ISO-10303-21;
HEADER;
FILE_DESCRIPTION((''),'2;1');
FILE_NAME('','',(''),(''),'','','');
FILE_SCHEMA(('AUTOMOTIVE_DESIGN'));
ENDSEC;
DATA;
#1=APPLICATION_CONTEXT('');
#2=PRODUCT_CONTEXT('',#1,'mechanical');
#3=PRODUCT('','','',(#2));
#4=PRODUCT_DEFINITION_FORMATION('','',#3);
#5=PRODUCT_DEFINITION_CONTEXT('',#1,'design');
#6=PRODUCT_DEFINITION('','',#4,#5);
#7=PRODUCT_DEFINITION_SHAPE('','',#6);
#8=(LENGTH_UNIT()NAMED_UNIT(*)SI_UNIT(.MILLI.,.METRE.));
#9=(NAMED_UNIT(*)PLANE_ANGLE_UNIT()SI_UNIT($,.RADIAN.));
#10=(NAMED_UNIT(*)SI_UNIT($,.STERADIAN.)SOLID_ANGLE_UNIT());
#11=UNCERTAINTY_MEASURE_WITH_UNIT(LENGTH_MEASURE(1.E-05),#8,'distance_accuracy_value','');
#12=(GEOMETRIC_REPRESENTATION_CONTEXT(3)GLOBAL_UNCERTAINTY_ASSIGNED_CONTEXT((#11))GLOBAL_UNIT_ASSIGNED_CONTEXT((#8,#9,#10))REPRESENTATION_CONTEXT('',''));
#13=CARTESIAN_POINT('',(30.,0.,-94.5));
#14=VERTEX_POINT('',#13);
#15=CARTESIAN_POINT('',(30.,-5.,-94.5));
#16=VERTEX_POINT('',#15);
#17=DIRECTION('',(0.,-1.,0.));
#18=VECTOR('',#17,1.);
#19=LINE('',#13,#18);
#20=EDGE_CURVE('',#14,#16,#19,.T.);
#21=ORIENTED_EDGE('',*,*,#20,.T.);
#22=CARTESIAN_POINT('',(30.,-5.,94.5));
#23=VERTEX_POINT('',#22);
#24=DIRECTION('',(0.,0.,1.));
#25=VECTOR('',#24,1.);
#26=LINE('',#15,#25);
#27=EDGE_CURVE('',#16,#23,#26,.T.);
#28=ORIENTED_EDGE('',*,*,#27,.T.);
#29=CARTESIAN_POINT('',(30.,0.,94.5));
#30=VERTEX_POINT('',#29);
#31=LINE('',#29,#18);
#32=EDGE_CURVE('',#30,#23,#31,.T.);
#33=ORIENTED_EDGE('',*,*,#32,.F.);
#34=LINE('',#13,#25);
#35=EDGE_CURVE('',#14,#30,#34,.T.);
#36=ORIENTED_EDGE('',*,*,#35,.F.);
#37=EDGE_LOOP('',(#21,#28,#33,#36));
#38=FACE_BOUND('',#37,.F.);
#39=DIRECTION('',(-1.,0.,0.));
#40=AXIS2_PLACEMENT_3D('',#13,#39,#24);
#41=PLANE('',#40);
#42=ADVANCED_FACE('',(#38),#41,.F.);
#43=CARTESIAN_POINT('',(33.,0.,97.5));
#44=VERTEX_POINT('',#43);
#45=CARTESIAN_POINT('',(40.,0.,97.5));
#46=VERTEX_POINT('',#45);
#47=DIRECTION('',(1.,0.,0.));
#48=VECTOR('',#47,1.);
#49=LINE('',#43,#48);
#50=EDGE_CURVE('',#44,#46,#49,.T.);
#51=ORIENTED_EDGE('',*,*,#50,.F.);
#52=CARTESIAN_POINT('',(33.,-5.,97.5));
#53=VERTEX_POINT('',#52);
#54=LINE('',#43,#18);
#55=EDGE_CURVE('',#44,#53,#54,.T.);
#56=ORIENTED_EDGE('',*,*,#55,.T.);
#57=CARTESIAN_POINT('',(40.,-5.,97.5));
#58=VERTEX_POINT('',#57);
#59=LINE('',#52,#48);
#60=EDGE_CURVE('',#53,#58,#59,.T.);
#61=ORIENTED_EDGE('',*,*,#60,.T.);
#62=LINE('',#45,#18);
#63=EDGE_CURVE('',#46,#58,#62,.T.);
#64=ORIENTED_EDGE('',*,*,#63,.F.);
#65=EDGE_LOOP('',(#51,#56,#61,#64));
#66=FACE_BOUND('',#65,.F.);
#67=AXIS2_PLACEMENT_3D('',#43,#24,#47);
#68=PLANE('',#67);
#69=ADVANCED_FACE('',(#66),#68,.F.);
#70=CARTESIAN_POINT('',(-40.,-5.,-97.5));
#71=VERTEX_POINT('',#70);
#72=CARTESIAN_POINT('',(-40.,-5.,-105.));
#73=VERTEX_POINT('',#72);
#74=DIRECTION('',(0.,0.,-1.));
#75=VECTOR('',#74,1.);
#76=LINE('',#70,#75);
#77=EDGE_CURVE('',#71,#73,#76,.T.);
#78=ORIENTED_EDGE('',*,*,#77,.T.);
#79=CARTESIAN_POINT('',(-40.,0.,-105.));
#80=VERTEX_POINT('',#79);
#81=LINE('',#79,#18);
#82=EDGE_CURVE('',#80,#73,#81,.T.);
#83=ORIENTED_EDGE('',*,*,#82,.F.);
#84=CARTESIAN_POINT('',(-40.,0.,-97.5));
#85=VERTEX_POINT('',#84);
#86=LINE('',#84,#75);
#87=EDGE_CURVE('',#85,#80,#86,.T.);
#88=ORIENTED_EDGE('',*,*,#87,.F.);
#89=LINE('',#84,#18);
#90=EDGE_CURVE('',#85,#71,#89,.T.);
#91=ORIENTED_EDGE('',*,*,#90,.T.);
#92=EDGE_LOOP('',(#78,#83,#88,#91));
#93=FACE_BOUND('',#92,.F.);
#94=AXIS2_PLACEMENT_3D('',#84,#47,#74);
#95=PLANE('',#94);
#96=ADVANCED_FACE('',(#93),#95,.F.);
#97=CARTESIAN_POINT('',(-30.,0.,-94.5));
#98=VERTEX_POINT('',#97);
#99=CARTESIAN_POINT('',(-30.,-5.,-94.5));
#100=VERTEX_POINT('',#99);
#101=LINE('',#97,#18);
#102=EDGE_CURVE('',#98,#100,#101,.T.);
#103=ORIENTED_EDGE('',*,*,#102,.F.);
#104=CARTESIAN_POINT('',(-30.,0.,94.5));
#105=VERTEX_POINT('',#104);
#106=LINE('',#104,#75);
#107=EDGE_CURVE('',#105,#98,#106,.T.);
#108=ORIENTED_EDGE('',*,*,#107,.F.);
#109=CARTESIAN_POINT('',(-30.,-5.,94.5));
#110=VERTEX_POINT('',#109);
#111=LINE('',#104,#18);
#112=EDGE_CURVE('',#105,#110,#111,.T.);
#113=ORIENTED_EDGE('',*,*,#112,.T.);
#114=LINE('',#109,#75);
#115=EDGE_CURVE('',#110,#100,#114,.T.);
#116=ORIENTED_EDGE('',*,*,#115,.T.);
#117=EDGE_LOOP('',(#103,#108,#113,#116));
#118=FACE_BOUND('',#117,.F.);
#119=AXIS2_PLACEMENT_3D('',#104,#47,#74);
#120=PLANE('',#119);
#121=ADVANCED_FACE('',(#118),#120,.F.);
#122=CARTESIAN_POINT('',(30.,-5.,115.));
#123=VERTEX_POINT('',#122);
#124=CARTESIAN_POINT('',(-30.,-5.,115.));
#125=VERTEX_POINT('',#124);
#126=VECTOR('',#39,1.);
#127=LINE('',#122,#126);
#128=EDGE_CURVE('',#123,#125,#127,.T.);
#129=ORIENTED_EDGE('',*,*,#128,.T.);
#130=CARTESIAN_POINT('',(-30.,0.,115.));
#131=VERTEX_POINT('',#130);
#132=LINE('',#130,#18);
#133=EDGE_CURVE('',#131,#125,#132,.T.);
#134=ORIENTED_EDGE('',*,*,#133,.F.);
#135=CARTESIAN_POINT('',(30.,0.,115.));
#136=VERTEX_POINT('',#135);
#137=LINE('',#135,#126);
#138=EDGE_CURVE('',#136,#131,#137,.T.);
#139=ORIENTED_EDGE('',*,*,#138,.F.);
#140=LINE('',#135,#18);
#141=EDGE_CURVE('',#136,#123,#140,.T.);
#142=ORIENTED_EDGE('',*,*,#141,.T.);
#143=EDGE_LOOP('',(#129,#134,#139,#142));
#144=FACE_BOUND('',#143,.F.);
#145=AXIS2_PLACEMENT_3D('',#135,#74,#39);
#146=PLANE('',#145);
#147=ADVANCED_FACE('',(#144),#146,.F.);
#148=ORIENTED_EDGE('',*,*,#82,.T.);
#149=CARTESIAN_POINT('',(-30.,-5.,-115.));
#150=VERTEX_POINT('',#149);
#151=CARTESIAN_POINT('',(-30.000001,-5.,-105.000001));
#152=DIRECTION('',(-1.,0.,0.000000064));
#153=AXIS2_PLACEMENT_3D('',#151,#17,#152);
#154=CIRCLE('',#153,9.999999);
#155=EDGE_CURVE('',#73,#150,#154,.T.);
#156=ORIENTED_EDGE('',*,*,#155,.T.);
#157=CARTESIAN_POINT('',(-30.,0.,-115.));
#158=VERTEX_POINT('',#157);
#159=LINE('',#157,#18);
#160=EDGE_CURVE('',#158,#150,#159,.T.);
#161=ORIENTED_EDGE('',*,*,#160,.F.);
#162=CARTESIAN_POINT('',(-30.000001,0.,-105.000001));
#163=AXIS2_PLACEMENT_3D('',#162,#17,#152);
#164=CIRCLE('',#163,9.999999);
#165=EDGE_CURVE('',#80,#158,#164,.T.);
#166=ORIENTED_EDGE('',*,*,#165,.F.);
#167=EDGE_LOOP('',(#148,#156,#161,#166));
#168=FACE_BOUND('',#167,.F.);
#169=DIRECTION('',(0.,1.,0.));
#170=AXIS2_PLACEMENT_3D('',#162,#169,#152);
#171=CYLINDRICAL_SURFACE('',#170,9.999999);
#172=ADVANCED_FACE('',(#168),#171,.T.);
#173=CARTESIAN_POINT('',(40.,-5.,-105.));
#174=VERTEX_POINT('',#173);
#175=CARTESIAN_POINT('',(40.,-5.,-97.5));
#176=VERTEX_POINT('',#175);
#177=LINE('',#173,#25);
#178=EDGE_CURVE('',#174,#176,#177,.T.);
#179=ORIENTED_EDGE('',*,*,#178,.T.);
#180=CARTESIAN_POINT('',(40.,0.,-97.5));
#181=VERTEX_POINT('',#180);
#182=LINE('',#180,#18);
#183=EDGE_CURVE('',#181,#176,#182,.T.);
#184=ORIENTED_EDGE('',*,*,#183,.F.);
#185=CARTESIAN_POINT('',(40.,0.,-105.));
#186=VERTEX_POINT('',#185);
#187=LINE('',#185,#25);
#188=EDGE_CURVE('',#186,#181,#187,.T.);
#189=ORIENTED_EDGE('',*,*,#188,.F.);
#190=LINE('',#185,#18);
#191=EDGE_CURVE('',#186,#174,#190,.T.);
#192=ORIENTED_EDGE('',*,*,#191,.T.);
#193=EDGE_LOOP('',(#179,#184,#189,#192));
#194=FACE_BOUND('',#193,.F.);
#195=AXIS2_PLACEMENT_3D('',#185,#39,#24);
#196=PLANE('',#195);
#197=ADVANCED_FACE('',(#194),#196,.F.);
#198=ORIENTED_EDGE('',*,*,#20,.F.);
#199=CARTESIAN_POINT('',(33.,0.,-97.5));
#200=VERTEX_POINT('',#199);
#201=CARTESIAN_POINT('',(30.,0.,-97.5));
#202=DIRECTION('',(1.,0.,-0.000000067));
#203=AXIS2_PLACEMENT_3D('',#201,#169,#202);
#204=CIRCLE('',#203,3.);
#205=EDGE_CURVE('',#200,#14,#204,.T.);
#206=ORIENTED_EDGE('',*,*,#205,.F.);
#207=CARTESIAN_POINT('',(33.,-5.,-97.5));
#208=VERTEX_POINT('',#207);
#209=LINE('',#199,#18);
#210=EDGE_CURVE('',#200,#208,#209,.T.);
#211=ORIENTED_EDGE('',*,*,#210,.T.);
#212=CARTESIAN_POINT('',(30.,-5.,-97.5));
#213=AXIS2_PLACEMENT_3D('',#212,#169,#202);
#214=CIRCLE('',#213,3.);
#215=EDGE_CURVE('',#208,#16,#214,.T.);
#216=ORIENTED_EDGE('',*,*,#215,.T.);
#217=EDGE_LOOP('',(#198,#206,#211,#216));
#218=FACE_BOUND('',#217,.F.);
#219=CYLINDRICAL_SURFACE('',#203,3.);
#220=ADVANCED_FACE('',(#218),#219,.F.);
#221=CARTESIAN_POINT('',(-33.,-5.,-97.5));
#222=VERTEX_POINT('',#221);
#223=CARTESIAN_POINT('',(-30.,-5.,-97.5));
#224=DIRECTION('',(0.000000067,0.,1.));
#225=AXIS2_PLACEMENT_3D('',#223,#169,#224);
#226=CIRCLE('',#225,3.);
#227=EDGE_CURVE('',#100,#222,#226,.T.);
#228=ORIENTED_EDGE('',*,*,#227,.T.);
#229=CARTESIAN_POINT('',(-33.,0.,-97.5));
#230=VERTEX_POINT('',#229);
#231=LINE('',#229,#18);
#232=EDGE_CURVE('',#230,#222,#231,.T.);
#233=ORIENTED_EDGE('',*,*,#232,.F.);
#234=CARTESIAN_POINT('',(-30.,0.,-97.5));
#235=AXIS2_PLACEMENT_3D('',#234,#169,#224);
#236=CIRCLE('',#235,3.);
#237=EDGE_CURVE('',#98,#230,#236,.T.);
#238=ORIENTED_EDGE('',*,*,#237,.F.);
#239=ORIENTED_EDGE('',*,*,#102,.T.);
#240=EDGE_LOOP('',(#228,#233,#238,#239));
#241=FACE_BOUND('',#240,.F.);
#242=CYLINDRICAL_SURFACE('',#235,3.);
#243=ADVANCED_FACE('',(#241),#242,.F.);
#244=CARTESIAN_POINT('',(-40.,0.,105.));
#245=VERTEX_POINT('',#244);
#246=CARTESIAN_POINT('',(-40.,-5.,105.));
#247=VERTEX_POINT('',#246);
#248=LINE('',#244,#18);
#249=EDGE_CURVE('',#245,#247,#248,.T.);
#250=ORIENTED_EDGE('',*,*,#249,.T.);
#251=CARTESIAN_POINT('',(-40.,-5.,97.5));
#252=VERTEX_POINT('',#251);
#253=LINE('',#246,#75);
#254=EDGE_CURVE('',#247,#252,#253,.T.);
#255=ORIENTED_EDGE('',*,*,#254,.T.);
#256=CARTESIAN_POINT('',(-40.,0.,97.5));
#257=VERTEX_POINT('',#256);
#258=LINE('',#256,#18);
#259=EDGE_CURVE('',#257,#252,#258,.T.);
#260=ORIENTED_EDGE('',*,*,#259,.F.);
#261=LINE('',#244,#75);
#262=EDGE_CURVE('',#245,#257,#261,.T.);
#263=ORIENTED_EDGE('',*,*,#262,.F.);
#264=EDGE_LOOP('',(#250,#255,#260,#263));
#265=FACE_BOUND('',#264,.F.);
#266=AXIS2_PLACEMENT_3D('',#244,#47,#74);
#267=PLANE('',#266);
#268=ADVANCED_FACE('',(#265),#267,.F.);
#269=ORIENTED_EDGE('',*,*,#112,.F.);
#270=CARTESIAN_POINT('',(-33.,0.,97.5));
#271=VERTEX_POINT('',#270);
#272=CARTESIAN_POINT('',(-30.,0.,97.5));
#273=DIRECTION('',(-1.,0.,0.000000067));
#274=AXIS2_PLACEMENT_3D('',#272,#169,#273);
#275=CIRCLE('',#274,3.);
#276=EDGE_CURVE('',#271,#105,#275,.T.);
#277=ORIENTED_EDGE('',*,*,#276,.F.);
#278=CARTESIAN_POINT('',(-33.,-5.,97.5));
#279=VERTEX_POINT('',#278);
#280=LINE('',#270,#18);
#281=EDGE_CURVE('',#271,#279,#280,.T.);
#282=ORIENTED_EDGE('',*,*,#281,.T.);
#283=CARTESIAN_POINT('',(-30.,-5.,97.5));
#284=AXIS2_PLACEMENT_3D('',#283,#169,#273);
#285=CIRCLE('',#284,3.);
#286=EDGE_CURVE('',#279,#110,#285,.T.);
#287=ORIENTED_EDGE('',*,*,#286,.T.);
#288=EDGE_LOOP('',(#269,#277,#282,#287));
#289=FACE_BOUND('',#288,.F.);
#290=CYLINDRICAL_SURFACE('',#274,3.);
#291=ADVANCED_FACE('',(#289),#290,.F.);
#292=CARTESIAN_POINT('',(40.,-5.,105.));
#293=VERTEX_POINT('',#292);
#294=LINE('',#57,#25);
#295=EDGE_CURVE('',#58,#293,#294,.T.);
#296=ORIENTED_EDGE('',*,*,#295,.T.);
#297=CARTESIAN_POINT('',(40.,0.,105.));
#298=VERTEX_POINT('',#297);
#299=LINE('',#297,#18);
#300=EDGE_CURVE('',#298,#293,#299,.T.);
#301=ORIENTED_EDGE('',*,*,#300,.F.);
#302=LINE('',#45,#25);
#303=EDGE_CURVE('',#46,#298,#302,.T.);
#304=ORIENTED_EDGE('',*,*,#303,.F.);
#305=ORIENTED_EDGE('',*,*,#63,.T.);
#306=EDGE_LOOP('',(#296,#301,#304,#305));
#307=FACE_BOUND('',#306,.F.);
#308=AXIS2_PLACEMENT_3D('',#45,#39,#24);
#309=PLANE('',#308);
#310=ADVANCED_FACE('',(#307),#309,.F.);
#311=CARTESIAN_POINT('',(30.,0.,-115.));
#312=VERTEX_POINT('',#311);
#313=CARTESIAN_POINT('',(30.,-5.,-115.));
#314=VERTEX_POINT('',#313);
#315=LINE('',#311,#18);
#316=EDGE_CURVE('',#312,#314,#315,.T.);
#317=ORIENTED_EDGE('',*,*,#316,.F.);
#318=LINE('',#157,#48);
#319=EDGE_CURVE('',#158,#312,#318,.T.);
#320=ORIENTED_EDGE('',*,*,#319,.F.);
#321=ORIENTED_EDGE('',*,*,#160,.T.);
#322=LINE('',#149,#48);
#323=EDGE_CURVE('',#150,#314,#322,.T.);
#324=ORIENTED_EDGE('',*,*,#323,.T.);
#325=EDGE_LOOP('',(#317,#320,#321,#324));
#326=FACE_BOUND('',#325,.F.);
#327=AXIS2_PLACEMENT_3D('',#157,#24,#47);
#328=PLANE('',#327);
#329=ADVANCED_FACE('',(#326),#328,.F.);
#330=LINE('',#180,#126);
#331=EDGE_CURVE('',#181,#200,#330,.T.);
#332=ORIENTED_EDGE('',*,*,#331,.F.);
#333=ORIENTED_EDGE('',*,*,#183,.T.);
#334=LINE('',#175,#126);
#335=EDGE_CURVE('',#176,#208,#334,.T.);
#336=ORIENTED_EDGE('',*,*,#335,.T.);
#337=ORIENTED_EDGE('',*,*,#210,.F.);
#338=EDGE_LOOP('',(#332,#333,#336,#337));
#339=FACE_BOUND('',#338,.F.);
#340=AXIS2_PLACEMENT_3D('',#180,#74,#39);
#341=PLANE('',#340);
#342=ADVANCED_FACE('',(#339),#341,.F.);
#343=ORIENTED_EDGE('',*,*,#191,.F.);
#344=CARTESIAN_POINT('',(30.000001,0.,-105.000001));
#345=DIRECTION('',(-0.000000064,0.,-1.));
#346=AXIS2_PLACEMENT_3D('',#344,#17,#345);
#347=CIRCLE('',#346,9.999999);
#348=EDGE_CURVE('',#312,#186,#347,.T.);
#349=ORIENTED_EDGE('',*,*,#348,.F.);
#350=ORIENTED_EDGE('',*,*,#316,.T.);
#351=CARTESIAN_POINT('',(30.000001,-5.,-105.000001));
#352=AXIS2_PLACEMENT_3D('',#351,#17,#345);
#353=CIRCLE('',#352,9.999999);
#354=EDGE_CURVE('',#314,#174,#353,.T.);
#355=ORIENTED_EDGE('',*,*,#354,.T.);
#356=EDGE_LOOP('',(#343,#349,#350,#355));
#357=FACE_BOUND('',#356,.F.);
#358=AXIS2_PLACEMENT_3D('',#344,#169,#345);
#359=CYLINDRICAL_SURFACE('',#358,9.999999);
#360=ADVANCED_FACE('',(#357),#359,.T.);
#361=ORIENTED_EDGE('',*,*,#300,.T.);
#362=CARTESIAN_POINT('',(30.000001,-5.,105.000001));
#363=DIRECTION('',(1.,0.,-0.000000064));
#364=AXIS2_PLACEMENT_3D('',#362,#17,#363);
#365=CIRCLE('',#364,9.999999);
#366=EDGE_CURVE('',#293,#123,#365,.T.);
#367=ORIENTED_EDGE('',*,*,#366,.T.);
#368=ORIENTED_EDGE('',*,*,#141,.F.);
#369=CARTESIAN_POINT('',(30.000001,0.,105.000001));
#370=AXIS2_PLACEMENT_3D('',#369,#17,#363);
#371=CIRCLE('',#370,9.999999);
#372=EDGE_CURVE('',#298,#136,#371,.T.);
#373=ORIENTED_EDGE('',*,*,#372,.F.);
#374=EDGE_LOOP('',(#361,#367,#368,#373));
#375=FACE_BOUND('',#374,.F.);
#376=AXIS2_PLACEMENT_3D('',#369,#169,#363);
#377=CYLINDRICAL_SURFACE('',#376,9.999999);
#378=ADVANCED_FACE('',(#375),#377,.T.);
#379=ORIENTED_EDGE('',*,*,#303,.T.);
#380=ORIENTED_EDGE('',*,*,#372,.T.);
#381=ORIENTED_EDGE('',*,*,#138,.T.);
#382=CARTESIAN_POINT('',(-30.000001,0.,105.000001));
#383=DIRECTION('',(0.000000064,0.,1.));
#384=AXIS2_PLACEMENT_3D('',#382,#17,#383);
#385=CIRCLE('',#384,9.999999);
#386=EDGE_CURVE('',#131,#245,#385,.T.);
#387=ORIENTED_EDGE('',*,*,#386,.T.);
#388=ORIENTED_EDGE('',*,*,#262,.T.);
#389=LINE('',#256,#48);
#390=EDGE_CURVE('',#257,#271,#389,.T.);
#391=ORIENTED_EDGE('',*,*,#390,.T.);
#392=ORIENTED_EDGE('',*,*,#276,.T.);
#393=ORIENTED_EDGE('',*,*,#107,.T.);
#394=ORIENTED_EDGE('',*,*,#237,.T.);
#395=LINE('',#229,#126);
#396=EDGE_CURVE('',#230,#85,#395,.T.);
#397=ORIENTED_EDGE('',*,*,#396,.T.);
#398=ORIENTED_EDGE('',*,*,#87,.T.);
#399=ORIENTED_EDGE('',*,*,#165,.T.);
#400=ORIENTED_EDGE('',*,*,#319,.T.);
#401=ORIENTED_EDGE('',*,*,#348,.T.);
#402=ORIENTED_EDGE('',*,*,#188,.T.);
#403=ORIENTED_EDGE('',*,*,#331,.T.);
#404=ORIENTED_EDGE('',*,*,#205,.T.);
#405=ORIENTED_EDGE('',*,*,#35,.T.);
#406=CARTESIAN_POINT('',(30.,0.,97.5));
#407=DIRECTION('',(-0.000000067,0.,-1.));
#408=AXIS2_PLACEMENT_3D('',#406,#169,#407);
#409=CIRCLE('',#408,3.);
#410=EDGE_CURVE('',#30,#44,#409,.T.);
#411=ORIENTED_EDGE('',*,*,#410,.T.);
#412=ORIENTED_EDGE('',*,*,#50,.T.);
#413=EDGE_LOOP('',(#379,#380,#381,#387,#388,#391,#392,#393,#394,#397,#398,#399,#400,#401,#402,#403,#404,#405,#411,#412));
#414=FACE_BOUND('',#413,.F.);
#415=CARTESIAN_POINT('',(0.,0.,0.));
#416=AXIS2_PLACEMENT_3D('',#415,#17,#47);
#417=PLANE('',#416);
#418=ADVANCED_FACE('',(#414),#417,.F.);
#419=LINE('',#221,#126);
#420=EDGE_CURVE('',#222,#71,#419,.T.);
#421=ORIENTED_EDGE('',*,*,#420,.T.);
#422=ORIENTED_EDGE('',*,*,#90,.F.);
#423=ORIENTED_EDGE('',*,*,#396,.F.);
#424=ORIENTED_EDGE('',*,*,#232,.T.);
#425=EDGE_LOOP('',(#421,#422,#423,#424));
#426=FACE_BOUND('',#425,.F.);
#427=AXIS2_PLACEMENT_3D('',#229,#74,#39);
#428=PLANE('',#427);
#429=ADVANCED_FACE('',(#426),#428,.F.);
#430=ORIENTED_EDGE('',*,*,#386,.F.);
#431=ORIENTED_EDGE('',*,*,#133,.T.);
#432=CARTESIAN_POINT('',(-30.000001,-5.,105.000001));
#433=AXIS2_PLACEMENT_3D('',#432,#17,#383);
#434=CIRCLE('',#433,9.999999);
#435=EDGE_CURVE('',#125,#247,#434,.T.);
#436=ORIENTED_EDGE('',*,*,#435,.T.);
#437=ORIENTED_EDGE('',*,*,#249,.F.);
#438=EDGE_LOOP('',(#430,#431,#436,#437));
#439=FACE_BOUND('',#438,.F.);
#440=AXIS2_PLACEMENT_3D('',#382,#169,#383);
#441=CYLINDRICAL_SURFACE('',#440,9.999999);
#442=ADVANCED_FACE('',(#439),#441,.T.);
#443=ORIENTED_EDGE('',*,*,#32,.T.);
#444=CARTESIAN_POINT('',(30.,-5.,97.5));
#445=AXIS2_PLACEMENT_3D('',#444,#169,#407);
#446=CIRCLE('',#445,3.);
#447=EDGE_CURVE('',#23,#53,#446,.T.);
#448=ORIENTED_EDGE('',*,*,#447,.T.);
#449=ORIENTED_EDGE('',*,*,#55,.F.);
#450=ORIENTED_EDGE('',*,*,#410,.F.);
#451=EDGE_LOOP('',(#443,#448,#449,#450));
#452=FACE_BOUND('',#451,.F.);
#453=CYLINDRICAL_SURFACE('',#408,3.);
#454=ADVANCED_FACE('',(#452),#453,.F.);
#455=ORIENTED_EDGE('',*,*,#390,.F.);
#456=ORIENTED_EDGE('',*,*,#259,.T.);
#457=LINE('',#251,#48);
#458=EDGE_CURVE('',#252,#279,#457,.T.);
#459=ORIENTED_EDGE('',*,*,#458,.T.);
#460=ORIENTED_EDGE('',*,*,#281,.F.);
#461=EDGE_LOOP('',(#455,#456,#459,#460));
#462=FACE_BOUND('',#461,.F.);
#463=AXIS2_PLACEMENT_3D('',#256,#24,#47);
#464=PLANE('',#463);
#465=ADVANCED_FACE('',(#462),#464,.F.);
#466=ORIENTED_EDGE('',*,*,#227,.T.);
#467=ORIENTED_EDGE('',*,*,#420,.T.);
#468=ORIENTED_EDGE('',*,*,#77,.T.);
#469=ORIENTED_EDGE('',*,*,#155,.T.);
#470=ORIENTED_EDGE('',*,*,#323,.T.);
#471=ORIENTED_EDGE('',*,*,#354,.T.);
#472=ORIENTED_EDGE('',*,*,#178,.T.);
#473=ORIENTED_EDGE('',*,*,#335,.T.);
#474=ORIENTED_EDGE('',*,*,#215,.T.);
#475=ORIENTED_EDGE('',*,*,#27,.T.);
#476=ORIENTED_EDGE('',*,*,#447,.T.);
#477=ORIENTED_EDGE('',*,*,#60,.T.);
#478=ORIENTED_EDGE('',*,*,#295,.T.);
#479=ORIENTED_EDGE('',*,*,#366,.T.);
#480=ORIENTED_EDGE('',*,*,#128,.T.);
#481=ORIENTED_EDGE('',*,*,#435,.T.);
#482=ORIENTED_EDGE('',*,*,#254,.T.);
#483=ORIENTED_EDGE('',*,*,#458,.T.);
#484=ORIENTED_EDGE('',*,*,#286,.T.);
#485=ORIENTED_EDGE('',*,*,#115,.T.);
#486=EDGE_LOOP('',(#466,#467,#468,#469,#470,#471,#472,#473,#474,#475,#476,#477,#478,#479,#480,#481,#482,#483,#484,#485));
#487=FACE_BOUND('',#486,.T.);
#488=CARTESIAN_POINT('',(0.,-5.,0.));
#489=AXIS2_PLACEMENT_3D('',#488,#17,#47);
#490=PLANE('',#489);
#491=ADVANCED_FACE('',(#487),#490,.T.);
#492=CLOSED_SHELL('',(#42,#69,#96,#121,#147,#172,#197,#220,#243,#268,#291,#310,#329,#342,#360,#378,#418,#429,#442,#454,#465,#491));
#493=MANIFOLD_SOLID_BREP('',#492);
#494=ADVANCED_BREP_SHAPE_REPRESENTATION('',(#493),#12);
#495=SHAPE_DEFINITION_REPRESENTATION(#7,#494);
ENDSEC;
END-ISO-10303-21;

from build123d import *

# Parameters (mm, degrees)
F1_DEPTH = 5


with BuildPart() as f1:
    # F0 (on Front) → F1 (new body)
    with BuildSketch(Plane.XZ):
        with BuildLine():
            ThreePointArc((40, 105), (37.071068, 112.071068), (30, 115))
            Line((30, 115), (-30, 115))
            ThreePointArc((-30, 115), (-37.071068, 112.071068), (-40, 105))
            Line((-40, 105), (-40, 97.5))
            Line((-40, 97.5), (-33, 97.5))
            ThreePointArc((-33, 97.5), (-27.87868, 99.62132), (-30, 94.5))
            Line((-30, 94.5), (-30, -94.5))
            ThreePointArc((-30, -94.5), (-27.87868, -99.62132), (-33, -97.5))
            Line((-33, -97.5), (-40, -97.5))
            Line((-40, -97.5), (-40, -105))
            ThreePointArc((-40, -105), (-37.071068, -112.071068), (-30, -115))
            Line((-30, -115), (30, -115))
            ThreePointArc((30, -115), (37.071068, -112.071068), (40, -105))
            Line((40, -105), (40, -97.5))
            Line((40, -97.5), (33, -97.5))
            ThreePointArc((33, -97.5), (27.87868, -99.62132), (30, -94.5))
            Line((30, -94.5), (30, 94.5))
            ThreePointArc((30, 94.5), (27.87868, 99.62132), (33, 97.5))
            Line((33, 97.5), (40, 97.5))
            Line((40, 97.5), (40, 105))
        make_face()
    extrude(amount=F1_DEPTH)


solid = f1.part
